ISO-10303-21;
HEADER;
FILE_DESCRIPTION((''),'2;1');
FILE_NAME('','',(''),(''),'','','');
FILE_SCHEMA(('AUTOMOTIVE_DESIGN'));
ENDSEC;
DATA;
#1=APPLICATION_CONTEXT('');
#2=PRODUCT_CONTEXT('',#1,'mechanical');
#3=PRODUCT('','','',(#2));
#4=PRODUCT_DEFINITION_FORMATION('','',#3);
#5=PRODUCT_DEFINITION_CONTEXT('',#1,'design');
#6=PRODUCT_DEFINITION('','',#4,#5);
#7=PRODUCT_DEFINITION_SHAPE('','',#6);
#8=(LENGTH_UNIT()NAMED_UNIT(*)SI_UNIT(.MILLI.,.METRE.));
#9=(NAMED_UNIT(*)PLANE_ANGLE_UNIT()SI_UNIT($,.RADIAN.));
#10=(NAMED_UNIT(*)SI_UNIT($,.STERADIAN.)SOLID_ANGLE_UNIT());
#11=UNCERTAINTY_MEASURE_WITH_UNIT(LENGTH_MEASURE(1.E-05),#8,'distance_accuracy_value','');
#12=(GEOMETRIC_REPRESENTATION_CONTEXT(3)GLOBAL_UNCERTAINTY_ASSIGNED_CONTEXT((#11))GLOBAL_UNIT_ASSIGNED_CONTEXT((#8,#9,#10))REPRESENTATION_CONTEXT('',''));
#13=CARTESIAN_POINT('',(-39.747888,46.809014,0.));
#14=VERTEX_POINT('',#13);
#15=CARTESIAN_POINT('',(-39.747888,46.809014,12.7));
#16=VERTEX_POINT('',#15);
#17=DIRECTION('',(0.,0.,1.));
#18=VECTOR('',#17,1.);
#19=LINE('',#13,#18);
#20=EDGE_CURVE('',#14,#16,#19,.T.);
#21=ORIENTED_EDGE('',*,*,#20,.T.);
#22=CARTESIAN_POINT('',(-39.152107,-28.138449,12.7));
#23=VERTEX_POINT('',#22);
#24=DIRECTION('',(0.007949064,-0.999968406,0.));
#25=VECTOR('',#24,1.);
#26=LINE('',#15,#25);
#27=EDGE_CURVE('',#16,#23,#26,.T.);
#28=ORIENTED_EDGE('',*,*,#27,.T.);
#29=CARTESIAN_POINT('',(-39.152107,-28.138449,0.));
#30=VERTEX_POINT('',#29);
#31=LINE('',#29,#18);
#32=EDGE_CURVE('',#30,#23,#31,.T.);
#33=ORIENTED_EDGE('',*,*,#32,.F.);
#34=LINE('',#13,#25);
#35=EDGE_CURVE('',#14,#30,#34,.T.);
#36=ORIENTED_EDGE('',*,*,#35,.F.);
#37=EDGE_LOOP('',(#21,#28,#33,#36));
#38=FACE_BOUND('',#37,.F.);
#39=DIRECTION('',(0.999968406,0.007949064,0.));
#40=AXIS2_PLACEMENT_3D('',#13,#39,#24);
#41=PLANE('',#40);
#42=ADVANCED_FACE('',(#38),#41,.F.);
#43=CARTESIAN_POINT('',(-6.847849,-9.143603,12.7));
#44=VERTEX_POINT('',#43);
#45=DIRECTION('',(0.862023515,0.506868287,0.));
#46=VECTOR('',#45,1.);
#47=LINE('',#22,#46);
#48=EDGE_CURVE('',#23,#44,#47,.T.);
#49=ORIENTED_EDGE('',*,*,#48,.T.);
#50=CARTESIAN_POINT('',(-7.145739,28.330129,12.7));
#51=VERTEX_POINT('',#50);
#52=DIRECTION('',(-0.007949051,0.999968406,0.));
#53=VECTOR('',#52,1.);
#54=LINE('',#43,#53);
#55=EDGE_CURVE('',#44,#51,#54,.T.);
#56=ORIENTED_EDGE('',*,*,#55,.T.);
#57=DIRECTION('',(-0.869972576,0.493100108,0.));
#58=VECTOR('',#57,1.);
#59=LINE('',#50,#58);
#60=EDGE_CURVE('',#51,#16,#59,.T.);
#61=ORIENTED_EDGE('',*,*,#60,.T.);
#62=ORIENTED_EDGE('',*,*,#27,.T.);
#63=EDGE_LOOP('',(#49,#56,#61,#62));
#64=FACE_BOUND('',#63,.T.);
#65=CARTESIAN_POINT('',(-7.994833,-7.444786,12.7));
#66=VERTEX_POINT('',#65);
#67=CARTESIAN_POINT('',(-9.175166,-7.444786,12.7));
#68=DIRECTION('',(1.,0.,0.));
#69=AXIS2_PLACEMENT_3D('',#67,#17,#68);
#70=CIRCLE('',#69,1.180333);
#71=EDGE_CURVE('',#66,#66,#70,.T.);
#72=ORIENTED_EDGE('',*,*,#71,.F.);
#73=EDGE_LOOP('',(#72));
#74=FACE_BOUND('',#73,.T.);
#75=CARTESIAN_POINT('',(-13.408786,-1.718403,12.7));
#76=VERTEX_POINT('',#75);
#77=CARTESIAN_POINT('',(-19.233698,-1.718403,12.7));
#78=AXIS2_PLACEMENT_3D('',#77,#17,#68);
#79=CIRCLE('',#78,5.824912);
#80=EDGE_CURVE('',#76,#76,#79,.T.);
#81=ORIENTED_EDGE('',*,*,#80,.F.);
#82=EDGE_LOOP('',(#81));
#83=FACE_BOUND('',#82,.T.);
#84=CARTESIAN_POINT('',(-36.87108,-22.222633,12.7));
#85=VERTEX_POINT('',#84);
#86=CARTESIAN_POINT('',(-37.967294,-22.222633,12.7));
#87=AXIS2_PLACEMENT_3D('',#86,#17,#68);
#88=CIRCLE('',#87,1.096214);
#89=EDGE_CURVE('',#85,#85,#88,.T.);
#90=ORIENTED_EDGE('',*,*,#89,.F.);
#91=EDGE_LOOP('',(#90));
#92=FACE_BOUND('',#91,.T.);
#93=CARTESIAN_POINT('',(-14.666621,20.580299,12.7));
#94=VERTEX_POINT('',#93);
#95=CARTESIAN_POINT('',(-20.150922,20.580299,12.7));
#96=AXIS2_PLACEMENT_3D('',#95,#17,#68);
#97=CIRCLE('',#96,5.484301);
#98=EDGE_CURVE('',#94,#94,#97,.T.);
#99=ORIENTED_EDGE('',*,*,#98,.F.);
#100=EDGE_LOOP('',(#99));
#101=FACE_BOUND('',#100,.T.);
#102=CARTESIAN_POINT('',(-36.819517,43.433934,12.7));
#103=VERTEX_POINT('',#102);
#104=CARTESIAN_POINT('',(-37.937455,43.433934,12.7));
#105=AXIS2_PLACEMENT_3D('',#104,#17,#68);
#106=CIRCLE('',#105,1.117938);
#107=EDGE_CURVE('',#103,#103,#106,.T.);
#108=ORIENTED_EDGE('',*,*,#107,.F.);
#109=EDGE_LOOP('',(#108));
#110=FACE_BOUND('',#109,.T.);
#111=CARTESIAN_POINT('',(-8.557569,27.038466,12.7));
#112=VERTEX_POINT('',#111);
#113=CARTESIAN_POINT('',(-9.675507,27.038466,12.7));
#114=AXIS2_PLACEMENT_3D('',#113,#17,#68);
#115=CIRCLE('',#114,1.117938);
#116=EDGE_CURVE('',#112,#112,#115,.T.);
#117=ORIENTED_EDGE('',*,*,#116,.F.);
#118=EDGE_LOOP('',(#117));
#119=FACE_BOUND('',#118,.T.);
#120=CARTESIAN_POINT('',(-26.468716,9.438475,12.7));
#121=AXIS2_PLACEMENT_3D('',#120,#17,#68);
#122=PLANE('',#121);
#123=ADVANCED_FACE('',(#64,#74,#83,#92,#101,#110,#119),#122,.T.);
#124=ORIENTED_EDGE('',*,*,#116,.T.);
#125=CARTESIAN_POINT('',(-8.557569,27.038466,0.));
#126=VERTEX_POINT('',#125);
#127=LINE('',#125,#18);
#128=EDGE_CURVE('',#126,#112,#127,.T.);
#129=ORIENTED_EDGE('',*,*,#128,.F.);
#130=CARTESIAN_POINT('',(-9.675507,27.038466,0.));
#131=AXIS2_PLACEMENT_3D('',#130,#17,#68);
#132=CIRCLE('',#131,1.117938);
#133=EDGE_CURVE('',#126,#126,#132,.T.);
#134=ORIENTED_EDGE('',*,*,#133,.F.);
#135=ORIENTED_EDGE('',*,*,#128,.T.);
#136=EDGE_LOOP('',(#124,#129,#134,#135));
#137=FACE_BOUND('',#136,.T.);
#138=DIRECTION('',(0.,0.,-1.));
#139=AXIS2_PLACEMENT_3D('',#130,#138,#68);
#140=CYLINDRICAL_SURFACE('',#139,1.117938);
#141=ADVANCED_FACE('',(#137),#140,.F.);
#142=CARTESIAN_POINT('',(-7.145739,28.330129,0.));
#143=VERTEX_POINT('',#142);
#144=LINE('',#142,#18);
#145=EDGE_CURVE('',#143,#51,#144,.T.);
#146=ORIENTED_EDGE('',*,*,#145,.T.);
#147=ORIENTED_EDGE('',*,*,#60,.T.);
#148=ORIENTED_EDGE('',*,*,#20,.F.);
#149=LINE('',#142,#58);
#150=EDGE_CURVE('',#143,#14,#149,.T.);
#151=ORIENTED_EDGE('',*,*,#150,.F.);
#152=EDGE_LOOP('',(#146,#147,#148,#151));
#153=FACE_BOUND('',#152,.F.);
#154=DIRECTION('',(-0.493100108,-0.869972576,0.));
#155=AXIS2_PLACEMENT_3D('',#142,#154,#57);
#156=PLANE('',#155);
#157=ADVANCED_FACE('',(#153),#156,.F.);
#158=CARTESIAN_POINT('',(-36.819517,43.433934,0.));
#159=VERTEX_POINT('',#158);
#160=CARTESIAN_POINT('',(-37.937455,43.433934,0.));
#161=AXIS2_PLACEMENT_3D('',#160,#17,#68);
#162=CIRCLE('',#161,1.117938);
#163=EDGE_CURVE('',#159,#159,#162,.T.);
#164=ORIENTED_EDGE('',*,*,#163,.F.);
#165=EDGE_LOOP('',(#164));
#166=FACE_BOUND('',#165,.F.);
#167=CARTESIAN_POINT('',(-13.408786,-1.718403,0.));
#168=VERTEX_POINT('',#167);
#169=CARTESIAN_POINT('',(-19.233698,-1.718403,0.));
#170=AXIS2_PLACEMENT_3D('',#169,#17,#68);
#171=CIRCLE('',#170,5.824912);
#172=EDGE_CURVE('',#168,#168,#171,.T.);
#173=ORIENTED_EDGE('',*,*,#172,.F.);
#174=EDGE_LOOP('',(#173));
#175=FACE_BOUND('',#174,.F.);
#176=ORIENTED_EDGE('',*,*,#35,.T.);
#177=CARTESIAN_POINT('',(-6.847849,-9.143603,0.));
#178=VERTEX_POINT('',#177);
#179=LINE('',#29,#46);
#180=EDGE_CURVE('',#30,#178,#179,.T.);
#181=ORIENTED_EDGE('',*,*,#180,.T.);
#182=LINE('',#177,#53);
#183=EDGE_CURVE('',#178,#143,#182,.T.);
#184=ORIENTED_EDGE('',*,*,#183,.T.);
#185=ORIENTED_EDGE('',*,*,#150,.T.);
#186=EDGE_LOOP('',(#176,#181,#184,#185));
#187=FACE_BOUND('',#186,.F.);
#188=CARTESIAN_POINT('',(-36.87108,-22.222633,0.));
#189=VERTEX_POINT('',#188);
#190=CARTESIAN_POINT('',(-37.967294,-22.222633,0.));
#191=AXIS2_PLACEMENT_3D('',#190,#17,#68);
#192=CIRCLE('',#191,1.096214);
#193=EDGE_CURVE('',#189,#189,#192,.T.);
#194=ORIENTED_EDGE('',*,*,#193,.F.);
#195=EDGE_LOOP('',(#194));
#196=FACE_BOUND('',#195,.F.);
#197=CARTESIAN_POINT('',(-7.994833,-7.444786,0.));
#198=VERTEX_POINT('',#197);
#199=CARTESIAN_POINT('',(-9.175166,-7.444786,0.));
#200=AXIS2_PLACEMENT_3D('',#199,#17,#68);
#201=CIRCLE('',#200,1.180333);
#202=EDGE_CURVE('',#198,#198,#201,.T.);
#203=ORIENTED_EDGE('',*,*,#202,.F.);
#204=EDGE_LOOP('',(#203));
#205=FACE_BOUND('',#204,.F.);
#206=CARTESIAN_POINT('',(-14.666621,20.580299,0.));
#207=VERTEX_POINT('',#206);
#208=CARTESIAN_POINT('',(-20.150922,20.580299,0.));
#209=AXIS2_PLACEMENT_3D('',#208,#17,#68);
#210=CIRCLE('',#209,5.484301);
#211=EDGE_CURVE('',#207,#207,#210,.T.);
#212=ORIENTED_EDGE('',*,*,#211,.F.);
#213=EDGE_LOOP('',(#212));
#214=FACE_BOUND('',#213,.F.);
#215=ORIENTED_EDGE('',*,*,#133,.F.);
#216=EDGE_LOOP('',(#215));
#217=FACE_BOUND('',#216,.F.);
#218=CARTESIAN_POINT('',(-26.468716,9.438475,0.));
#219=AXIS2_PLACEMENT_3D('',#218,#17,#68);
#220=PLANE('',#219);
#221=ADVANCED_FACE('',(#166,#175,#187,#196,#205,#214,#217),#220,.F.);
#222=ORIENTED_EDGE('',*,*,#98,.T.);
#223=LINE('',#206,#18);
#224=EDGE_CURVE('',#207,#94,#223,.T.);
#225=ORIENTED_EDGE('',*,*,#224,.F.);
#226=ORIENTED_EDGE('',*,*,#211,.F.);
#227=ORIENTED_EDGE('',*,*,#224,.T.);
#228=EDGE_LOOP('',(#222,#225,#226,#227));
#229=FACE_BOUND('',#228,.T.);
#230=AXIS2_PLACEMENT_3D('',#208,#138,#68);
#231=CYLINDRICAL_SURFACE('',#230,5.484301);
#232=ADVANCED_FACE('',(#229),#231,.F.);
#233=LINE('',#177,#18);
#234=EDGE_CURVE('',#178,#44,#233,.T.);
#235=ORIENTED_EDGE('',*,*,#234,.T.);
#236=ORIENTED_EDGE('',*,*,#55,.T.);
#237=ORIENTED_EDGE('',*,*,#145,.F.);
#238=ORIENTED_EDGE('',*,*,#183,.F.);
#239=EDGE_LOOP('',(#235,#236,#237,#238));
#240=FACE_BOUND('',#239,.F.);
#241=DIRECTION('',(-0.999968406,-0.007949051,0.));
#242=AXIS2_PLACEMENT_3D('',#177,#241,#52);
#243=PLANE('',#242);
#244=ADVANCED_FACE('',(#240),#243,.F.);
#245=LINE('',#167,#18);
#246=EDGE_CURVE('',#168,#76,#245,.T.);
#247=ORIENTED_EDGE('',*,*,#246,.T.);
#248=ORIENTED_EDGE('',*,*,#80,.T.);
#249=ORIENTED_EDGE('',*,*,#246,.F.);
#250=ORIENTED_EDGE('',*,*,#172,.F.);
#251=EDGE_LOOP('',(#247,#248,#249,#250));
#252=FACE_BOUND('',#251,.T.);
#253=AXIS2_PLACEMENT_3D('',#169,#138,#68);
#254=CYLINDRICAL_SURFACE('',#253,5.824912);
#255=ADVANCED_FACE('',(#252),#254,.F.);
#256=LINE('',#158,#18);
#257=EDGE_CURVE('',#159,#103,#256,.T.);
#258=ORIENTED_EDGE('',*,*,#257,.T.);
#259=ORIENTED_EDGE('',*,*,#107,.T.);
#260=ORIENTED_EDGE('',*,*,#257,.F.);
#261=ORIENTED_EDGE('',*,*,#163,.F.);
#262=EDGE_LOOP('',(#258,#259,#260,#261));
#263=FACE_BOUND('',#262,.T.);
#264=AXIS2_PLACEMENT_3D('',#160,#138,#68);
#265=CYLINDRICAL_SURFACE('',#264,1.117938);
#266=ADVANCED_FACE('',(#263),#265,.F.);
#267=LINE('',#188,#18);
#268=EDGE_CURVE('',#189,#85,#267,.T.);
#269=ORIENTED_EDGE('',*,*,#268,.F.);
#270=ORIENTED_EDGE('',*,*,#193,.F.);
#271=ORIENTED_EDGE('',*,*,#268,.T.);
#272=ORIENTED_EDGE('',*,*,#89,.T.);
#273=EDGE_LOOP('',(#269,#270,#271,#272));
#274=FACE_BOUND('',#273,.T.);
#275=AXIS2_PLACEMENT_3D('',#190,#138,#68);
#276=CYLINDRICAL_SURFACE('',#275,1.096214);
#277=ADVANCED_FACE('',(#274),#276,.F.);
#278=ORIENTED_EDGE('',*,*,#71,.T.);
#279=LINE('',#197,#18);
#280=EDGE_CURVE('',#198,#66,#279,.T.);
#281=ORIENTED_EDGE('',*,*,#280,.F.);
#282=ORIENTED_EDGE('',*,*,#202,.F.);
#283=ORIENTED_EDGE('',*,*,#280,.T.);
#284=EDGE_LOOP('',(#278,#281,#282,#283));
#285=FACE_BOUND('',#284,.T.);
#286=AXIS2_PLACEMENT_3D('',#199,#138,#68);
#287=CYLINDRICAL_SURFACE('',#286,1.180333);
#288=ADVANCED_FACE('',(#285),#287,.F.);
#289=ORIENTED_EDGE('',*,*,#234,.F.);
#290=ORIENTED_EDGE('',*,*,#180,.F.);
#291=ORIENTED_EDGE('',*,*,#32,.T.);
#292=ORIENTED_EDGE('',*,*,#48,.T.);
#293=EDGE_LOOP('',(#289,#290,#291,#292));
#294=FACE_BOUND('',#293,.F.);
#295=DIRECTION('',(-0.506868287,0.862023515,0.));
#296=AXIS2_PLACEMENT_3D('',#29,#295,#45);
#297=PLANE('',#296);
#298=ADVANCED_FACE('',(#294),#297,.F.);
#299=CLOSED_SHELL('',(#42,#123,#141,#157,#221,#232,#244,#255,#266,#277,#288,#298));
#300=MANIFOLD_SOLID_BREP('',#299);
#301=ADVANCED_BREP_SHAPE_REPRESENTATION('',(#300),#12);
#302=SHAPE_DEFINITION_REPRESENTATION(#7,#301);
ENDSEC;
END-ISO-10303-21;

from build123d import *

# Parameters (mm, degrees)
F0_R     = 1.096214
F0_R_2   = 5.824912
F0_R_3   = 1.180333
F0_R_4   = 1.117938
F0_R_5   = 5.484301
F1_DEPTH = 12.7


with BuildPart() as f1:
    # F0 (on Top) → F1 (new body)
    with BuildSketch(Plane.XY):
        Polygon((-7.145739, 28.330129), (-39.747888, 46.809014), (-39.152107, -28.138449), (-6.847849, -9.143603), align=None)
        with Locations((-37.967294, -22.222633)):
            Circle(F0_R, mode=Mode.SUBTRACT)
        with Locations((-19.233698, -1.718403)):
            Circle(F0_R_2, mode=Mode.SUBTRACT)
        with Locations((-9.175166, -7.444786)):
            Circle(F0_R_3, mode=Mode.SUBTRACT)
        with Locations((-37.937455, 43.433934)):
            Circle(F0_R_4, mode=Mode.SUBTRACT)
        with Locations((-20.150922, 20.580299)):
            Circle(F0_R_5, mode=Mode.SUBTRACT)
        with Locations((-9.675507, 27.038466)):
            Circle(F0_R_4, mode=Mode.SUBTRACT)
    extrude(amount=F1_DEPTH)


solid = f1.part
